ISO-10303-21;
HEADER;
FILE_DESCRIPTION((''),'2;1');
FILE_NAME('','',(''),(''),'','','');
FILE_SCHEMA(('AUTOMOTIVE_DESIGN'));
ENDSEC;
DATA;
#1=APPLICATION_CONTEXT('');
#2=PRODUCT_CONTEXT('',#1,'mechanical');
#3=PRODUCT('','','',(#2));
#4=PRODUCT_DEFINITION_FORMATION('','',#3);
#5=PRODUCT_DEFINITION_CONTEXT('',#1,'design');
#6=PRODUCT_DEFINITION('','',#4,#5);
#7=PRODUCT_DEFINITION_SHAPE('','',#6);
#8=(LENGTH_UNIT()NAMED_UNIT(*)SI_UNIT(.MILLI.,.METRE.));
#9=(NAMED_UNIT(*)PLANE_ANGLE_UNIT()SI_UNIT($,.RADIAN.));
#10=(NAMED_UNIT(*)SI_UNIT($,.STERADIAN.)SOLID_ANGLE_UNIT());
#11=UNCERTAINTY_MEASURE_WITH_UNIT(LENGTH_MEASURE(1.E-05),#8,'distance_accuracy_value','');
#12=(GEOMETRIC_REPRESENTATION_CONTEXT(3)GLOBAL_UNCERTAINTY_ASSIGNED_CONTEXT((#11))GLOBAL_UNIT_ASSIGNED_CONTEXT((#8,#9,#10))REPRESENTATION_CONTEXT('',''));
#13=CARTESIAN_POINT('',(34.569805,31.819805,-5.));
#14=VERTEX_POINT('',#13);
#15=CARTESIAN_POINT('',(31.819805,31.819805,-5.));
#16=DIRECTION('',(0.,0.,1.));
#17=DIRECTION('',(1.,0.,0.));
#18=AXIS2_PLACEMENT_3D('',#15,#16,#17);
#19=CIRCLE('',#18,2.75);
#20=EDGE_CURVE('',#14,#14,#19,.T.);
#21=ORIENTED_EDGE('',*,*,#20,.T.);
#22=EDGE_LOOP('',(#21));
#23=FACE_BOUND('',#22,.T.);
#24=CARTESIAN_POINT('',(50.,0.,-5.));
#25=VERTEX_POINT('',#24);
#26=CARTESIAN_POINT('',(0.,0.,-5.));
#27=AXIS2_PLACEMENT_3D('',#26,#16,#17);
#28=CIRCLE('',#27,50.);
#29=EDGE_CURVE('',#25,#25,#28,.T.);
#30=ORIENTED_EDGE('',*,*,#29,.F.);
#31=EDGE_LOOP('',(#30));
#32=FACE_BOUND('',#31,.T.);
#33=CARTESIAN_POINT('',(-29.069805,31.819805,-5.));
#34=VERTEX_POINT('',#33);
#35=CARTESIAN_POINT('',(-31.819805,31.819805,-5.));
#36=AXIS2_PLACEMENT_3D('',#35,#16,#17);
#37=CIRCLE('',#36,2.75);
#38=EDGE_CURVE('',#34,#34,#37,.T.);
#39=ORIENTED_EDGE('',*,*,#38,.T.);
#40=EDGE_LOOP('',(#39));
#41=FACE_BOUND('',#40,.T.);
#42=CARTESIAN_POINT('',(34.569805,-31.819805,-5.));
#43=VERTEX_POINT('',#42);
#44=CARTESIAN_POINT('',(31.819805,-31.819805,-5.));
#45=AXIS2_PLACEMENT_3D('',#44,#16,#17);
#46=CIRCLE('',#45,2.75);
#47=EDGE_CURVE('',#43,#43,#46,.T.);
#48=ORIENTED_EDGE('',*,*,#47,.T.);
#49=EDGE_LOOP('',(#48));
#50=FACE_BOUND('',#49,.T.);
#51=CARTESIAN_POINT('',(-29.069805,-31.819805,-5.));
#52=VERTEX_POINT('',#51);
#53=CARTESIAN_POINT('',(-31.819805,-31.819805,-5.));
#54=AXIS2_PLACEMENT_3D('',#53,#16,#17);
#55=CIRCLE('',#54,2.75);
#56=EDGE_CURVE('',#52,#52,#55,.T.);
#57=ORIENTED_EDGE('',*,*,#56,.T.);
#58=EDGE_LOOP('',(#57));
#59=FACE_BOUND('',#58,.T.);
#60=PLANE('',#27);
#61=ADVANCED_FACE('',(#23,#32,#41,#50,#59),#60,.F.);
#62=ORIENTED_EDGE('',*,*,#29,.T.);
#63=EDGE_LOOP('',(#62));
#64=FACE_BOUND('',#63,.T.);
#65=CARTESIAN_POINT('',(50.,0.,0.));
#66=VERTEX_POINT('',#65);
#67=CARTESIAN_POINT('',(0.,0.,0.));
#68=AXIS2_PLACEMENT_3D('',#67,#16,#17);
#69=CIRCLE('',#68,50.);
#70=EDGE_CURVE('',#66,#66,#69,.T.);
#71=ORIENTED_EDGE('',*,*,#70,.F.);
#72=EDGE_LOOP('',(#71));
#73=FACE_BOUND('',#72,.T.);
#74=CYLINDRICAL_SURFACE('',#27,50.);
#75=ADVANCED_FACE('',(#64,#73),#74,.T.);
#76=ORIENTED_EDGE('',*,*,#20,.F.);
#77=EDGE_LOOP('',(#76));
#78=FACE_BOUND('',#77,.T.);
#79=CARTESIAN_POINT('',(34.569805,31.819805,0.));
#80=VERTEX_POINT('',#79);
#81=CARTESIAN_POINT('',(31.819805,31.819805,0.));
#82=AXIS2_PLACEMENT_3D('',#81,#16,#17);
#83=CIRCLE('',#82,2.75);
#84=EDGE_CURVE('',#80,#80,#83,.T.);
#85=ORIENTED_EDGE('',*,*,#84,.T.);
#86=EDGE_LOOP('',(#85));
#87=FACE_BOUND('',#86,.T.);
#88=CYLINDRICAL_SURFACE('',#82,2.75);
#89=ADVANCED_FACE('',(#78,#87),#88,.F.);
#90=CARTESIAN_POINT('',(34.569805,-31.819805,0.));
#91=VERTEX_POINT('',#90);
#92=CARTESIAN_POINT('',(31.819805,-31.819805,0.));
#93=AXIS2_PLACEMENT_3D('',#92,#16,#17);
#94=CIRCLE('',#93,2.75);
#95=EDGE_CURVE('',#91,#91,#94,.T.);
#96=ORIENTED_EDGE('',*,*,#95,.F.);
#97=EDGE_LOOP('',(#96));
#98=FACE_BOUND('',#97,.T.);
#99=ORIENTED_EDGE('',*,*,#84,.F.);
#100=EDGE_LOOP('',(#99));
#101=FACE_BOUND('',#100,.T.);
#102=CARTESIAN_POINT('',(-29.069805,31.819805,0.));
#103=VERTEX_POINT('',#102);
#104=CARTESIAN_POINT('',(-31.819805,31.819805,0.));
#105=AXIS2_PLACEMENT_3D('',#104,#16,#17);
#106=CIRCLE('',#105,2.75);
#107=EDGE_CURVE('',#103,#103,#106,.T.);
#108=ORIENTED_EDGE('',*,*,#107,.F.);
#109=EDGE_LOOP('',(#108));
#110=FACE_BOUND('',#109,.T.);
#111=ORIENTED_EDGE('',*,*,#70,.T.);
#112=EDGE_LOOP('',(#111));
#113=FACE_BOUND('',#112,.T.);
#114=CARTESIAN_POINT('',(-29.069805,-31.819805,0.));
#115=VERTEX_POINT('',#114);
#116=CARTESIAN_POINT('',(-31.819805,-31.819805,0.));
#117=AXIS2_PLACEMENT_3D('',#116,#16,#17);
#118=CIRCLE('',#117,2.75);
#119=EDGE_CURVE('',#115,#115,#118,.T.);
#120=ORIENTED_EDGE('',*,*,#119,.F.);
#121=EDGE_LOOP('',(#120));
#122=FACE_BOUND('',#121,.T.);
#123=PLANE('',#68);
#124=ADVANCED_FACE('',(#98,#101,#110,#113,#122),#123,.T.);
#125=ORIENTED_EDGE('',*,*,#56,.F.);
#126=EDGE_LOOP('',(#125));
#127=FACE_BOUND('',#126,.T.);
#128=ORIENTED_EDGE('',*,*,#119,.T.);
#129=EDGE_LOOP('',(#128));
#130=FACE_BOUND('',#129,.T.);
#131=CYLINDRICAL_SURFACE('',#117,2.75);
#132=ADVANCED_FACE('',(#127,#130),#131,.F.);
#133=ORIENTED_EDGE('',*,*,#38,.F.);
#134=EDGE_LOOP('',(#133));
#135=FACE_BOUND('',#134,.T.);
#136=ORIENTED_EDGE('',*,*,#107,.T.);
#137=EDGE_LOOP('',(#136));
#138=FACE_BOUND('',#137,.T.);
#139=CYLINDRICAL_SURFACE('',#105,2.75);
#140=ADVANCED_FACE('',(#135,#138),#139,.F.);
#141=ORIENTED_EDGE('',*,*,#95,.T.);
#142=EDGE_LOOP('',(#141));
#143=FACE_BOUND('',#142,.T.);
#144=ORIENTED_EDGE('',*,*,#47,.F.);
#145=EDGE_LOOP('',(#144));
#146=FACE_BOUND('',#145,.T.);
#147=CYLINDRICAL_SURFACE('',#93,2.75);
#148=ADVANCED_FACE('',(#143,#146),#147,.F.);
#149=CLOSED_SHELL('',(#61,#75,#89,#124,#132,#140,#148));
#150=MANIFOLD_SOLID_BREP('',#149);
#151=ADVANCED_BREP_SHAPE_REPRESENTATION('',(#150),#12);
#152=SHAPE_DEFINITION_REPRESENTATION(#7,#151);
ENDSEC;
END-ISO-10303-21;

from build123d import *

# Parameters (mm, degrees)
SKETCH1_R                 = 50
EXTRUDE1_DEPTH            = 5
M5_5_5_5_DIAMETER_HOLE2_D = 5.5


with BuildPart() as part:
    # Sketch1 → Extrude1 (new body)
    with BuildSketch(Plane.XY):
        Circle(SKETCH1_R)
    extrude(amount=-EXTRUDE1_DEPTH)

    # M5.5 (5.5) Diameter Hole2 (through all)
    with Locations(Plane.XY):
        with Locations((-31.819805153, 31.819805153), (31.819805153, 31.819805153), (31.819805153, -31.819805153), (-31.819805153, -31.819805153)):
            Hole(M5_5_5_5_DIAMETER_HOLE2_D / 2)


solid = part.part
